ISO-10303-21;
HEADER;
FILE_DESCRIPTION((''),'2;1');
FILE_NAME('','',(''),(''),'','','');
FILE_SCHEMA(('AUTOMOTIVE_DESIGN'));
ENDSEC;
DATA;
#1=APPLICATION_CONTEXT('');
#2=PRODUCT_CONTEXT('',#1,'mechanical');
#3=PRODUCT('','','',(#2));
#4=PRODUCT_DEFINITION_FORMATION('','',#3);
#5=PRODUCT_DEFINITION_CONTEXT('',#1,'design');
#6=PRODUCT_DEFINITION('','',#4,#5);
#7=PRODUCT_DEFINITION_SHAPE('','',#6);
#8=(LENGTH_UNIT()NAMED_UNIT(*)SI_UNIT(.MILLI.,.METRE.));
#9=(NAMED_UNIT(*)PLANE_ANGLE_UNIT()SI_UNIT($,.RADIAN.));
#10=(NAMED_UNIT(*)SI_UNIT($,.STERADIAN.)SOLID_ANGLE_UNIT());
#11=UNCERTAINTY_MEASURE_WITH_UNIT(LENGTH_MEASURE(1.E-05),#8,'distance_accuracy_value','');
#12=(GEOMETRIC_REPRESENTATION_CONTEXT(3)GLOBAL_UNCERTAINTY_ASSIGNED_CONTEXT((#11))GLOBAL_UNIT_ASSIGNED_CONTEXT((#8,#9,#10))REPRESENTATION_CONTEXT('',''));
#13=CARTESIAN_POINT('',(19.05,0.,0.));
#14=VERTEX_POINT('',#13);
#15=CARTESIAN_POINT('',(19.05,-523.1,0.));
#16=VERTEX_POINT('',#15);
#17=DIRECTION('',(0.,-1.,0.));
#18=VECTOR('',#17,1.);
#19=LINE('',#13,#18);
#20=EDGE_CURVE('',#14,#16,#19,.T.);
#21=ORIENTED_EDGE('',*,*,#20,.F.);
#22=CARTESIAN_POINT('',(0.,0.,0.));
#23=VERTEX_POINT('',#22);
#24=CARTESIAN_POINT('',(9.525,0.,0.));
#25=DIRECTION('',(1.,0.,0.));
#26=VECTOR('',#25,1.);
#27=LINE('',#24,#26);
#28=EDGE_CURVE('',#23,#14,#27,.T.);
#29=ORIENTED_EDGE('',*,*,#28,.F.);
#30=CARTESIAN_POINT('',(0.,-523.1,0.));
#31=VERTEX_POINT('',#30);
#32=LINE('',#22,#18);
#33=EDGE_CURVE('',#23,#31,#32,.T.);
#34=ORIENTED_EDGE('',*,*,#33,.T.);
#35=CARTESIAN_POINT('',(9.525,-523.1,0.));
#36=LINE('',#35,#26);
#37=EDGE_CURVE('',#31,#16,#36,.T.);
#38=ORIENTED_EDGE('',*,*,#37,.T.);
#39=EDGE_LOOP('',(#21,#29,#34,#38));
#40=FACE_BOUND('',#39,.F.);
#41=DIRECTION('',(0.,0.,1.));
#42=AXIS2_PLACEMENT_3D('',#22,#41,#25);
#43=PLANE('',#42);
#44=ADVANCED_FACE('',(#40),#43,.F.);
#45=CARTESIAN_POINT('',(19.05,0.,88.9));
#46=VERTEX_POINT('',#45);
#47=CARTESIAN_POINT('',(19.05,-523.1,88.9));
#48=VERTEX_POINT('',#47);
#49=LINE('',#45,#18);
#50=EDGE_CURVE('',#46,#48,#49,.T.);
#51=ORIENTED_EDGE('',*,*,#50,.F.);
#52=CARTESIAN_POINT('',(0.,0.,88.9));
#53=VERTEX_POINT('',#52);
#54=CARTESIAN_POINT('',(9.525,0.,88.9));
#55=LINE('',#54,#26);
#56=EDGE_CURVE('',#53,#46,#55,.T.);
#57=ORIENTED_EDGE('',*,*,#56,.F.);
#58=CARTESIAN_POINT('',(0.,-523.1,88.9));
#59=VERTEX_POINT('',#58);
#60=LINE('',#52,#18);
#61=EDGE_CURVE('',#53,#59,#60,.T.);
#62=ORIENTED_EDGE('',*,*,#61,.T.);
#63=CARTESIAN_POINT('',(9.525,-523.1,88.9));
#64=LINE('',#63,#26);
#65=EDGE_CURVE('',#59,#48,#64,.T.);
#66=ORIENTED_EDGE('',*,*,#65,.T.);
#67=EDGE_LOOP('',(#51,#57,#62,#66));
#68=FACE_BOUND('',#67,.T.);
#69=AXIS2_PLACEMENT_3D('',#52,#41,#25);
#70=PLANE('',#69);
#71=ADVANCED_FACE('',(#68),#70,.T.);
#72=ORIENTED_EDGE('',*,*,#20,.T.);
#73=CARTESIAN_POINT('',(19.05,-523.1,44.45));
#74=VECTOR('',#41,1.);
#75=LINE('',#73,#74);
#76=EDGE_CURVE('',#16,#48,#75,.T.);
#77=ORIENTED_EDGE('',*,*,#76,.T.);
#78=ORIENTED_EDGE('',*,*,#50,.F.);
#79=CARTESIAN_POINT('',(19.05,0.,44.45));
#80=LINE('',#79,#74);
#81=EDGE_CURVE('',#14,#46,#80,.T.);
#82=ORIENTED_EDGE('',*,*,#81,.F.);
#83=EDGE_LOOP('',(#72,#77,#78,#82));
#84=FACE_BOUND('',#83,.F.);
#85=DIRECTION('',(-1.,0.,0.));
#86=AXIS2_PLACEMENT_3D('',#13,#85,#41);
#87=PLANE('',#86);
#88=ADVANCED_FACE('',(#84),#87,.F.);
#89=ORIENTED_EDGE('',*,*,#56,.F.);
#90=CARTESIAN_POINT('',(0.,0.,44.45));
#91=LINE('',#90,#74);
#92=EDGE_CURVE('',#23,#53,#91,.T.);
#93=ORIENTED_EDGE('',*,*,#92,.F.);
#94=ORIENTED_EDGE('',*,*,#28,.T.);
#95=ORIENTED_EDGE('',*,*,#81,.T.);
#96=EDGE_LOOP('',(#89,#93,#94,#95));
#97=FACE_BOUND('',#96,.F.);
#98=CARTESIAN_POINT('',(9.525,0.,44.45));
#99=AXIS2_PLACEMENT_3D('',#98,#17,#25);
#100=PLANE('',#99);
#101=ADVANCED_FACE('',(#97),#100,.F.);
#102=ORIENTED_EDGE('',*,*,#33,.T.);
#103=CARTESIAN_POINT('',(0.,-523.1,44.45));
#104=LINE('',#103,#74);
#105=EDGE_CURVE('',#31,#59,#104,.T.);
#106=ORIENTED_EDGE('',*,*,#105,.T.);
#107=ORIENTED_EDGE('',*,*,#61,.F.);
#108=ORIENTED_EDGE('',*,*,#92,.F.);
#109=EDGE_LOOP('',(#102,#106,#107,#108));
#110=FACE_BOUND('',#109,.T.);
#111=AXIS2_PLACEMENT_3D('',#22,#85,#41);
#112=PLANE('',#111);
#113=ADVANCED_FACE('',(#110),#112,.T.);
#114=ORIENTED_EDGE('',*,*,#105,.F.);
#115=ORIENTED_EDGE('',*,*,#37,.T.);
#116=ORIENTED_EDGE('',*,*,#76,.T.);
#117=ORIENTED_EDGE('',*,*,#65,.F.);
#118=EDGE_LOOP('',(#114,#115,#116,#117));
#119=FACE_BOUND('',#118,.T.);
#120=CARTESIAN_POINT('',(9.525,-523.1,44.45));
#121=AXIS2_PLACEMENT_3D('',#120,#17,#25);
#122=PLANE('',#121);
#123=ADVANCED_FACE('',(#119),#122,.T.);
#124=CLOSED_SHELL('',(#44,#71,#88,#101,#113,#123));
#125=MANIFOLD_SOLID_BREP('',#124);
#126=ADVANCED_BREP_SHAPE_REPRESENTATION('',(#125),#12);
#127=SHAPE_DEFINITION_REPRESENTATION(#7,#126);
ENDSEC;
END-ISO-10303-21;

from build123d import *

# Parameters (mm, degrees)
SKETCH_W  = 19.05
SKETCH_H  = 88.9
PAD_DEPTH = 523.1


with BuildPart() as part:
    # Sketch → Pad (new body)
    with BuildSketch(Plane.XZ):
        with Locations((9.525, 44.45)):
            Rectangle(SKETCH_W, SKETCH_H)
    extrude(amount=PAD_DEPTH)


solid = part.part
